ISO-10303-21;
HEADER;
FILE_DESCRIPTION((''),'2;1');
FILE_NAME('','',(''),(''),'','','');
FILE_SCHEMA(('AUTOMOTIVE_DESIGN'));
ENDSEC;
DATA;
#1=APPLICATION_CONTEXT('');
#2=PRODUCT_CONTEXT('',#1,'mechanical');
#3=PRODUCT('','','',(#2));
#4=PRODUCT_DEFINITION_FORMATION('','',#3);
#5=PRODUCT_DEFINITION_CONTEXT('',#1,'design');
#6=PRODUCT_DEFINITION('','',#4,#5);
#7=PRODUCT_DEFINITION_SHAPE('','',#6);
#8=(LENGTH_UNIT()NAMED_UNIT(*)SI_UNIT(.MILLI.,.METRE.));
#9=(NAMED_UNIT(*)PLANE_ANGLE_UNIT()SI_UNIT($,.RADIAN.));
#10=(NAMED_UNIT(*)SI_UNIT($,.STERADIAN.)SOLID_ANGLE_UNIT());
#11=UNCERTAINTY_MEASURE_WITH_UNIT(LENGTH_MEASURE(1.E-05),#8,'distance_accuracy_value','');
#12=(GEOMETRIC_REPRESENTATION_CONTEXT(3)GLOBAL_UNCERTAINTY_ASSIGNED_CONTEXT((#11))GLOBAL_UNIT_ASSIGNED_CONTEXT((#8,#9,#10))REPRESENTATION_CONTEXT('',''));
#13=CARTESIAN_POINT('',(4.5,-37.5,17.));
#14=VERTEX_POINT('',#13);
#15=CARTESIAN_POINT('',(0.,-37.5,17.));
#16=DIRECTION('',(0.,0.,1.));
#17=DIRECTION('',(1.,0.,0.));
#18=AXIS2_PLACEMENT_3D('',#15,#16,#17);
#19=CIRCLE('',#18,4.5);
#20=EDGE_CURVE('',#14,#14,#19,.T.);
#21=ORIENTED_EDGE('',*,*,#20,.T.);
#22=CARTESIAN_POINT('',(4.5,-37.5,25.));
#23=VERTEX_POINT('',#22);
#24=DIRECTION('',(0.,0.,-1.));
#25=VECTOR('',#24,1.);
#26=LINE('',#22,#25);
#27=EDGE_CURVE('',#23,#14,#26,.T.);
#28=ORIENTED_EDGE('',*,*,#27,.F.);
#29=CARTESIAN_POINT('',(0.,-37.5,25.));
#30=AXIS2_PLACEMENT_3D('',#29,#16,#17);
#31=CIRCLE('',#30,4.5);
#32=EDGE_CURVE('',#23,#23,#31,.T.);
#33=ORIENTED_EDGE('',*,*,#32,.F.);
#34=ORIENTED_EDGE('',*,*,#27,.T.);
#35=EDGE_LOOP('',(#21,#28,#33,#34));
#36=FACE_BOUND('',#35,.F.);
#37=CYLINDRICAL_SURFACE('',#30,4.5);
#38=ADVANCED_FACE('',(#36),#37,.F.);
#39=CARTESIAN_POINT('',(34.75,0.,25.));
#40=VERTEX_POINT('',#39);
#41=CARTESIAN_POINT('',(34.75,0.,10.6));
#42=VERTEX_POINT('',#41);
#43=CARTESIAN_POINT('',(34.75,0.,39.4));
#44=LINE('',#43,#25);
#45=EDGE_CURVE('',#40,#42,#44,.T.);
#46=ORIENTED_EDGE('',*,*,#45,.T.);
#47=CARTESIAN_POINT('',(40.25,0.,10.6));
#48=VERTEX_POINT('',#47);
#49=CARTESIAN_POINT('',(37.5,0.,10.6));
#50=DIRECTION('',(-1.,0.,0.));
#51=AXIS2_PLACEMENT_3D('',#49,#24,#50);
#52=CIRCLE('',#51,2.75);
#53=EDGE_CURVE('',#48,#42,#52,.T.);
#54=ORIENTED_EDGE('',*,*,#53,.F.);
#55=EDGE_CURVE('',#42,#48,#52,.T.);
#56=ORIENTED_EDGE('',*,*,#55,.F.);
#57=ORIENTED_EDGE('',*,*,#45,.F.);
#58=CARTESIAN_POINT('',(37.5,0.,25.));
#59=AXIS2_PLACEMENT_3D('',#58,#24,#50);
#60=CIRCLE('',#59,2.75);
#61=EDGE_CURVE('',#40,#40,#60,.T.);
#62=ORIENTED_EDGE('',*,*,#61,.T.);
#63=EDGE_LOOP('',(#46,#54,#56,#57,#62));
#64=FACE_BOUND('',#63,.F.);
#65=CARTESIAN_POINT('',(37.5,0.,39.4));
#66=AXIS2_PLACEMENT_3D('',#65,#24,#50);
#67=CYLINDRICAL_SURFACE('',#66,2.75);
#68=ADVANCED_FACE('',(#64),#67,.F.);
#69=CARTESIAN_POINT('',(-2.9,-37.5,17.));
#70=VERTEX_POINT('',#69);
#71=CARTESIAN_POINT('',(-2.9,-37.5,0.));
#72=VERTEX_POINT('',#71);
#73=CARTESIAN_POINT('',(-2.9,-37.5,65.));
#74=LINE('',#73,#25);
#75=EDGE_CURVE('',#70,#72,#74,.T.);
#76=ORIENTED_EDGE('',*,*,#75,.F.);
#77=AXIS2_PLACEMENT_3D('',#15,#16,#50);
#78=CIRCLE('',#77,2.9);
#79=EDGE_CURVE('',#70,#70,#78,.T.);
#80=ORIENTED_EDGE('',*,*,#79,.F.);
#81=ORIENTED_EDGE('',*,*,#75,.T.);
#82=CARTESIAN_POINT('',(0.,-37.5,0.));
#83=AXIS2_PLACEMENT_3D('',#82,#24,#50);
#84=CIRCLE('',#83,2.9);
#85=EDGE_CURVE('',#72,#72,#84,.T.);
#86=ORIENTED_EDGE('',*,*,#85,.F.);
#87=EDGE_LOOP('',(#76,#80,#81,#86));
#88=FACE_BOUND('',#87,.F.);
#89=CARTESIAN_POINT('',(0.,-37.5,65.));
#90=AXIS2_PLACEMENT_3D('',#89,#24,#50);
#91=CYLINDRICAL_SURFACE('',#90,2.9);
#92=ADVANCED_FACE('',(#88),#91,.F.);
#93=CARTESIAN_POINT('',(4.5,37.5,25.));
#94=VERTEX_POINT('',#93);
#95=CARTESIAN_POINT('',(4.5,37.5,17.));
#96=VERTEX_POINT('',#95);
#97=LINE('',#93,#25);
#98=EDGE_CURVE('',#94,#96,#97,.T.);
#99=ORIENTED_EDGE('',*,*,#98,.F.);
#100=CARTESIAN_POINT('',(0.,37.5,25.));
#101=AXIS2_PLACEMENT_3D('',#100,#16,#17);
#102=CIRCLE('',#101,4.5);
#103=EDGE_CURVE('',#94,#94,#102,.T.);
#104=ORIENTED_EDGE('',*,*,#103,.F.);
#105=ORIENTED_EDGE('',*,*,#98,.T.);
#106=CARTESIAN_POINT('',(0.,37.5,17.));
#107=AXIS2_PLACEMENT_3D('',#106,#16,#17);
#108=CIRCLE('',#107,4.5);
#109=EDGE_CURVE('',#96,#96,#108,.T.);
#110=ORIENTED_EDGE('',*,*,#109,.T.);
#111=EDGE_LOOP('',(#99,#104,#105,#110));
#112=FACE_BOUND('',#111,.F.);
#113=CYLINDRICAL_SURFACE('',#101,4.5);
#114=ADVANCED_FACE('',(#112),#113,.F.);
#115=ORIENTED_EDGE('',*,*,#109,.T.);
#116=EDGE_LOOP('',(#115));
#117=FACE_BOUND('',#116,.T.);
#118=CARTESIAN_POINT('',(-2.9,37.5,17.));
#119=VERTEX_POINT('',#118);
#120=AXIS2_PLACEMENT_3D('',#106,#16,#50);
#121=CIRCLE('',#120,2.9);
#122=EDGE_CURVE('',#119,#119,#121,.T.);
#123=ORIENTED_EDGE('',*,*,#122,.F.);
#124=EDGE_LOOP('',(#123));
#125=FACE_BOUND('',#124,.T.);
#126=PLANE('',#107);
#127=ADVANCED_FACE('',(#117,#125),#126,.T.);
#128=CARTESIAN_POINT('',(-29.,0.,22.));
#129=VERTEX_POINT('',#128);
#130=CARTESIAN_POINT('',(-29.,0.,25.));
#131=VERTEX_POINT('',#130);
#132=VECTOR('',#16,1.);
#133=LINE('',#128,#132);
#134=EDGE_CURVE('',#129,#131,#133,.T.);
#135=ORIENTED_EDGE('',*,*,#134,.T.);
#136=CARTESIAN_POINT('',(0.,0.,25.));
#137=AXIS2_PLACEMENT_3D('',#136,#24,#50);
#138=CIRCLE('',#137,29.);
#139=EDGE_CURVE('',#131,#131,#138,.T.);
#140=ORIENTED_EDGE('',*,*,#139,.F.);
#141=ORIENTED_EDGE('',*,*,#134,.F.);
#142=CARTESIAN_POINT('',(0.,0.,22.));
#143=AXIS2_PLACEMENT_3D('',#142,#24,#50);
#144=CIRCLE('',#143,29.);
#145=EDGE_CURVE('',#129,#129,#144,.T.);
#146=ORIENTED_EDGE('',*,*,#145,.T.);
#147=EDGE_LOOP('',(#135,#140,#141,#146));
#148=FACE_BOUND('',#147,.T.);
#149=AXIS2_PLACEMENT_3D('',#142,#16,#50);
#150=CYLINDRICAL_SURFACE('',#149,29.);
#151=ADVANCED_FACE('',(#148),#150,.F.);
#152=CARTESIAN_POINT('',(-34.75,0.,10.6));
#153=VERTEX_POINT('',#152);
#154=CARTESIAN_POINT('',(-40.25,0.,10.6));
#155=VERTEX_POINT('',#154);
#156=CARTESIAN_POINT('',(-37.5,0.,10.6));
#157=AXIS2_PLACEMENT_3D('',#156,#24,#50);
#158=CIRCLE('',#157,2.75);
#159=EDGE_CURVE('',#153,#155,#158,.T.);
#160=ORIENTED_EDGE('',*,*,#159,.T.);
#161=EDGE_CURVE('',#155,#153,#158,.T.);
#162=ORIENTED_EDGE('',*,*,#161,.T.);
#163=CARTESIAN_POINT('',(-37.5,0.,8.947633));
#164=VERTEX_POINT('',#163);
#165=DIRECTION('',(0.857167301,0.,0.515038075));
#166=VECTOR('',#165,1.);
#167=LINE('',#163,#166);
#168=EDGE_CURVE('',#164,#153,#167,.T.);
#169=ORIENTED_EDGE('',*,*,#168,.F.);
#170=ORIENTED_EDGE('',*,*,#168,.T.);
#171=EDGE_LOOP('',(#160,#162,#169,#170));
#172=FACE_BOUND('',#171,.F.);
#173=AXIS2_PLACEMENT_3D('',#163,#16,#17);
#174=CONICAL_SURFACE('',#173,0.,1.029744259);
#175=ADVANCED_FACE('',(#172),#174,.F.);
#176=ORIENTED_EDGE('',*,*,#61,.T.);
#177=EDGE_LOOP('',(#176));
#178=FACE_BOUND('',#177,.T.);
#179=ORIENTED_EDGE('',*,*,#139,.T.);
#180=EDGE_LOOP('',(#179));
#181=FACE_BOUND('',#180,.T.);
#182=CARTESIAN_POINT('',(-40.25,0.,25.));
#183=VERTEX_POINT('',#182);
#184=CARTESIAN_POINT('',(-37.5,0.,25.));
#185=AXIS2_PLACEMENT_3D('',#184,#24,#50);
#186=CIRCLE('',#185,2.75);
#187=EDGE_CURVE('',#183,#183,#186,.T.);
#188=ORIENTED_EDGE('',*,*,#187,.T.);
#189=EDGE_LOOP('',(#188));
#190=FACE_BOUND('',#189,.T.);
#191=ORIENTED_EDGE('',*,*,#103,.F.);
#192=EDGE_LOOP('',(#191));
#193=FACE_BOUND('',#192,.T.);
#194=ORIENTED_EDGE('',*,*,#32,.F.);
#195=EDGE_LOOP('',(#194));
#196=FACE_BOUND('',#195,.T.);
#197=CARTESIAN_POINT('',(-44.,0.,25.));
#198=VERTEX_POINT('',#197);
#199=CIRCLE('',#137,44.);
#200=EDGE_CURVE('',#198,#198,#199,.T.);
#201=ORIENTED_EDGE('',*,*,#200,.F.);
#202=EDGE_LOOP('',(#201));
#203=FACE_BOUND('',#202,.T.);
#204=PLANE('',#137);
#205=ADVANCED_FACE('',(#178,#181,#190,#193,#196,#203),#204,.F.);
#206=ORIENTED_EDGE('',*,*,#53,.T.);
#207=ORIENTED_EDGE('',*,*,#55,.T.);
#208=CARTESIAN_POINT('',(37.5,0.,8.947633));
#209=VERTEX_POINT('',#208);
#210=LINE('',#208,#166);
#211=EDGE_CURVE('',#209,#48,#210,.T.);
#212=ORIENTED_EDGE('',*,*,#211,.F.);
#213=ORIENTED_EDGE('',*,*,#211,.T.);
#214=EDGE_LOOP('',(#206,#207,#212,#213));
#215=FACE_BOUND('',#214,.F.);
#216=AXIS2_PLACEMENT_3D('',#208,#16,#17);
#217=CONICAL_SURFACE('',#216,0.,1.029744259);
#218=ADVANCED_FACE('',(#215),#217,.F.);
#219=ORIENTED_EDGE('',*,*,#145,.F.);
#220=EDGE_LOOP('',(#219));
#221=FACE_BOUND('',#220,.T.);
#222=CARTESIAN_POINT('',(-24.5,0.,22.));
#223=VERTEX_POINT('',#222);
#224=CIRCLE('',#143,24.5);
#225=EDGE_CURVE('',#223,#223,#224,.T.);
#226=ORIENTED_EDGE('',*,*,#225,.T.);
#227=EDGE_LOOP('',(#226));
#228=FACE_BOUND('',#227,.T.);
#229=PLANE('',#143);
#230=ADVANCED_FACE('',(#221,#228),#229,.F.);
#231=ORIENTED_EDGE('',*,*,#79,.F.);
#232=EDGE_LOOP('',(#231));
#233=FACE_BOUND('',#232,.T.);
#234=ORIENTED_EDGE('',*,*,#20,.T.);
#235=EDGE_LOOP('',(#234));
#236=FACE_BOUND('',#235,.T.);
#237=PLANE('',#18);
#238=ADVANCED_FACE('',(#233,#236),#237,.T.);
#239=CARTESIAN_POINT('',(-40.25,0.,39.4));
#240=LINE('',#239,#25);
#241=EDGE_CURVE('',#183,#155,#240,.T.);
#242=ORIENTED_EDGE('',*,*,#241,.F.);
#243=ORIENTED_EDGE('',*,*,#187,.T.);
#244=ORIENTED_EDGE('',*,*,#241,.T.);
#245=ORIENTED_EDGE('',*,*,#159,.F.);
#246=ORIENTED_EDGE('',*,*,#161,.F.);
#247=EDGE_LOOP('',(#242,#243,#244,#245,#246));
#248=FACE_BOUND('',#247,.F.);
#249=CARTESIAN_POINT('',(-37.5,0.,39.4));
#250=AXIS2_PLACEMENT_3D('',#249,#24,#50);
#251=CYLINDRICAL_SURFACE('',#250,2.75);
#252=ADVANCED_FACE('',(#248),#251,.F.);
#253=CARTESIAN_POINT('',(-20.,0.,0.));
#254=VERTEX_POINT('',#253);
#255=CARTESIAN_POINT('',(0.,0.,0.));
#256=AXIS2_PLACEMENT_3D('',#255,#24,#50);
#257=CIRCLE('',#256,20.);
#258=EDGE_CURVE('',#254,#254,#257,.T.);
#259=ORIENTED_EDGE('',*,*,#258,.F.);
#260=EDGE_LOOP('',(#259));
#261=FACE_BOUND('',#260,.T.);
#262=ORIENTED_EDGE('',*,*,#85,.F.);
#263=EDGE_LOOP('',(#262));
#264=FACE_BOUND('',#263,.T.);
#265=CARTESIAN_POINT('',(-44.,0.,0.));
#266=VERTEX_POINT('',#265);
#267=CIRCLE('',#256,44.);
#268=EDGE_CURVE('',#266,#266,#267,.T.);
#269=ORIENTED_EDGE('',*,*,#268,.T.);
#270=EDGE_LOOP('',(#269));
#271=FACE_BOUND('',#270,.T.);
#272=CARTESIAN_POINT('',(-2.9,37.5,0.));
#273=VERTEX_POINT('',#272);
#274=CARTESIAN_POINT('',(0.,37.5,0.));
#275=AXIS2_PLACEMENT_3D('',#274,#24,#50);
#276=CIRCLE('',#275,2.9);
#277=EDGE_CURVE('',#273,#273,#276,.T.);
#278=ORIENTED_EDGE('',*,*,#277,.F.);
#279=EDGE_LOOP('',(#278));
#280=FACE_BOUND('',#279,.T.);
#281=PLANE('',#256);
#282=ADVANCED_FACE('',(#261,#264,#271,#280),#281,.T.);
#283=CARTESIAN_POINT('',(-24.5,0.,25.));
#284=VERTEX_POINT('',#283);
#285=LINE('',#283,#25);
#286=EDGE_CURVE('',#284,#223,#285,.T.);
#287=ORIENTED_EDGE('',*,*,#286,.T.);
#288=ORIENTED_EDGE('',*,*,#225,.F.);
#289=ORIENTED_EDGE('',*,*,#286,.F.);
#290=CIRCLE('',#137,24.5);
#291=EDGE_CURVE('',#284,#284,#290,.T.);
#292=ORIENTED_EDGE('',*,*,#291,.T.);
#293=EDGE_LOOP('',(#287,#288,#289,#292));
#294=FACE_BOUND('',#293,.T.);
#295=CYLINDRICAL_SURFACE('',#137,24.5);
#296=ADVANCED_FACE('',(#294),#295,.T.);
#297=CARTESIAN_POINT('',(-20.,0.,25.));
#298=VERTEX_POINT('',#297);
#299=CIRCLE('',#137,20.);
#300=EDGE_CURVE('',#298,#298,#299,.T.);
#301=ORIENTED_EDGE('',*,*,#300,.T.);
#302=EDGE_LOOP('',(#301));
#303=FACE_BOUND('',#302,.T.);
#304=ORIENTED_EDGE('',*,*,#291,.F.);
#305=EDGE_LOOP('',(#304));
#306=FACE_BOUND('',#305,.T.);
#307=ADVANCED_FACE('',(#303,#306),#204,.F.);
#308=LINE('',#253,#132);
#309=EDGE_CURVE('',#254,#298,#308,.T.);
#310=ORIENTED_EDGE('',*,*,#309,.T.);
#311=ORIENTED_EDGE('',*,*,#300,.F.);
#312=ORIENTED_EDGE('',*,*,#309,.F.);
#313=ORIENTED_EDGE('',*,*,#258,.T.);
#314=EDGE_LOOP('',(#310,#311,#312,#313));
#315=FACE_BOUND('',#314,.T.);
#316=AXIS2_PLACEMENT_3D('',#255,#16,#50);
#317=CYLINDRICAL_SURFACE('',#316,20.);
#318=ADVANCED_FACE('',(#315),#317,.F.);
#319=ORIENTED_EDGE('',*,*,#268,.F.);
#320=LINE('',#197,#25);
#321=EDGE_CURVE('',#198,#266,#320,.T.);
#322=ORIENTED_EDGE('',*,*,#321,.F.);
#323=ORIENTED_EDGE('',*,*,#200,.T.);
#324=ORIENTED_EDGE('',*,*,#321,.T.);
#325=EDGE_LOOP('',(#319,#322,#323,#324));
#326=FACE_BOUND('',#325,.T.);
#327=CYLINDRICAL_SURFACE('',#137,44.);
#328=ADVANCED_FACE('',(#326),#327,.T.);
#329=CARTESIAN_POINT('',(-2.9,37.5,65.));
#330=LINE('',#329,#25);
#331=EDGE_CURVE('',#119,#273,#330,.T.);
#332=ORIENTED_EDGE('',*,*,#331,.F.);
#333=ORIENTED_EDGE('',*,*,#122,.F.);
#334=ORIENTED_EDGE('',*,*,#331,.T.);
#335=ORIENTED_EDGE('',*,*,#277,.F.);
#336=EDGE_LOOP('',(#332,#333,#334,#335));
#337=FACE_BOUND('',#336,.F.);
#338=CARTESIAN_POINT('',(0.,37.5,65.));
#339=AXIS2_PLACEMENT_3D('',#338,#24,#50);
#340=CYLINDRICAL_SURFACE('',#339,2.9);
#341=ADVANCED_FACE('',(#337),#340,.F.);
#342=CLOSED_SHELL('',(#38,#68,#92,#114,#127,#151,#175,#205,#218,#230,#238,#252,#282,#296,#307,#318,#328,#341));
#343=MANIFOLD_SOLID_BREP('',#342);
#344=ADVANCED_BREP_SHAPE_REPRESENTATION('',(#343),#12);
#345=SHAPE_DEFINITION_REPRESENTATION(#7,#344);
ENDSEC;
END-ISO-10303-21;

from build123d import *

# Parameters (mm, degrees)
F3_D     = 5.8
F3_DEPTH = 40
F3_TIP   = 1.7424957952
F5_D     = 5.5
F5_DEPTH = 14.4
F5_TIP   = 1.6523667023
F6_R     = 4.5
F6_R_2   = 2.9
F7_DEPTH = 8


with BuildPart() as f1:
    # F0 (on Front) → F1 (revolve)
    with BuildSketch(Plane.XZ):
        Polygon((-20, 0), (-20, 25), (-24.5, 25), (-24.5, 22), (-29, 22), (-29, 25), (-44, 25), (-44, 17), (-44, 8), (-44, 0), align=None)
    revolve(axis=Axis((0, 0, 12.5), (0, 0, -1)))

    # F3
    with Locations(Plane.XY.offset(25)):
        with Locations((0, 37.5), (0, -37.5)):
            Hole(F3_D / 2, depth=F3_DEPTH)
            with Locations((0, 0, -(F3_DEPTH + F3_TIP / 2))):  # 118° drill point
                Cone(0, F3_D / 2, F3_TIP, mode=Mode.SUBTRACT)

    # F5
    with Locations(Plane.XY.offset(25)):
        with Locations((-37.5, 0), (37.5, 0)):
            Hole(F5_D / 2, depth=F5_DEPTH)
            with Locations((0, 0, -(F5_DEPTH + F5_TIP / 2))):  # 118° drill point
                Cone(0, F5_D / 2, F5_TIP, mode=Mode.SUBTRACT)

    # F6 (on face) → F7 (cut)
    with BuildSketch(Plane.XY.offset(25)):
        with Locations((0, 37.5)):
            Circle(F6_R)
        with Locations((0, 37.5)):
            Circle(F6_R_2, mode=Mode.SUBTRACT)
        with Locations((0, -37.5)):
            Circle(F6_R)
        with Locations((0, -37.5)):
            Circle(F6_R_2, mode=Mode.SUBTRACT)
    extrude(amount=-F7_DEPTH, mode=Mode.SUBTRACT)


solid = f1.part
